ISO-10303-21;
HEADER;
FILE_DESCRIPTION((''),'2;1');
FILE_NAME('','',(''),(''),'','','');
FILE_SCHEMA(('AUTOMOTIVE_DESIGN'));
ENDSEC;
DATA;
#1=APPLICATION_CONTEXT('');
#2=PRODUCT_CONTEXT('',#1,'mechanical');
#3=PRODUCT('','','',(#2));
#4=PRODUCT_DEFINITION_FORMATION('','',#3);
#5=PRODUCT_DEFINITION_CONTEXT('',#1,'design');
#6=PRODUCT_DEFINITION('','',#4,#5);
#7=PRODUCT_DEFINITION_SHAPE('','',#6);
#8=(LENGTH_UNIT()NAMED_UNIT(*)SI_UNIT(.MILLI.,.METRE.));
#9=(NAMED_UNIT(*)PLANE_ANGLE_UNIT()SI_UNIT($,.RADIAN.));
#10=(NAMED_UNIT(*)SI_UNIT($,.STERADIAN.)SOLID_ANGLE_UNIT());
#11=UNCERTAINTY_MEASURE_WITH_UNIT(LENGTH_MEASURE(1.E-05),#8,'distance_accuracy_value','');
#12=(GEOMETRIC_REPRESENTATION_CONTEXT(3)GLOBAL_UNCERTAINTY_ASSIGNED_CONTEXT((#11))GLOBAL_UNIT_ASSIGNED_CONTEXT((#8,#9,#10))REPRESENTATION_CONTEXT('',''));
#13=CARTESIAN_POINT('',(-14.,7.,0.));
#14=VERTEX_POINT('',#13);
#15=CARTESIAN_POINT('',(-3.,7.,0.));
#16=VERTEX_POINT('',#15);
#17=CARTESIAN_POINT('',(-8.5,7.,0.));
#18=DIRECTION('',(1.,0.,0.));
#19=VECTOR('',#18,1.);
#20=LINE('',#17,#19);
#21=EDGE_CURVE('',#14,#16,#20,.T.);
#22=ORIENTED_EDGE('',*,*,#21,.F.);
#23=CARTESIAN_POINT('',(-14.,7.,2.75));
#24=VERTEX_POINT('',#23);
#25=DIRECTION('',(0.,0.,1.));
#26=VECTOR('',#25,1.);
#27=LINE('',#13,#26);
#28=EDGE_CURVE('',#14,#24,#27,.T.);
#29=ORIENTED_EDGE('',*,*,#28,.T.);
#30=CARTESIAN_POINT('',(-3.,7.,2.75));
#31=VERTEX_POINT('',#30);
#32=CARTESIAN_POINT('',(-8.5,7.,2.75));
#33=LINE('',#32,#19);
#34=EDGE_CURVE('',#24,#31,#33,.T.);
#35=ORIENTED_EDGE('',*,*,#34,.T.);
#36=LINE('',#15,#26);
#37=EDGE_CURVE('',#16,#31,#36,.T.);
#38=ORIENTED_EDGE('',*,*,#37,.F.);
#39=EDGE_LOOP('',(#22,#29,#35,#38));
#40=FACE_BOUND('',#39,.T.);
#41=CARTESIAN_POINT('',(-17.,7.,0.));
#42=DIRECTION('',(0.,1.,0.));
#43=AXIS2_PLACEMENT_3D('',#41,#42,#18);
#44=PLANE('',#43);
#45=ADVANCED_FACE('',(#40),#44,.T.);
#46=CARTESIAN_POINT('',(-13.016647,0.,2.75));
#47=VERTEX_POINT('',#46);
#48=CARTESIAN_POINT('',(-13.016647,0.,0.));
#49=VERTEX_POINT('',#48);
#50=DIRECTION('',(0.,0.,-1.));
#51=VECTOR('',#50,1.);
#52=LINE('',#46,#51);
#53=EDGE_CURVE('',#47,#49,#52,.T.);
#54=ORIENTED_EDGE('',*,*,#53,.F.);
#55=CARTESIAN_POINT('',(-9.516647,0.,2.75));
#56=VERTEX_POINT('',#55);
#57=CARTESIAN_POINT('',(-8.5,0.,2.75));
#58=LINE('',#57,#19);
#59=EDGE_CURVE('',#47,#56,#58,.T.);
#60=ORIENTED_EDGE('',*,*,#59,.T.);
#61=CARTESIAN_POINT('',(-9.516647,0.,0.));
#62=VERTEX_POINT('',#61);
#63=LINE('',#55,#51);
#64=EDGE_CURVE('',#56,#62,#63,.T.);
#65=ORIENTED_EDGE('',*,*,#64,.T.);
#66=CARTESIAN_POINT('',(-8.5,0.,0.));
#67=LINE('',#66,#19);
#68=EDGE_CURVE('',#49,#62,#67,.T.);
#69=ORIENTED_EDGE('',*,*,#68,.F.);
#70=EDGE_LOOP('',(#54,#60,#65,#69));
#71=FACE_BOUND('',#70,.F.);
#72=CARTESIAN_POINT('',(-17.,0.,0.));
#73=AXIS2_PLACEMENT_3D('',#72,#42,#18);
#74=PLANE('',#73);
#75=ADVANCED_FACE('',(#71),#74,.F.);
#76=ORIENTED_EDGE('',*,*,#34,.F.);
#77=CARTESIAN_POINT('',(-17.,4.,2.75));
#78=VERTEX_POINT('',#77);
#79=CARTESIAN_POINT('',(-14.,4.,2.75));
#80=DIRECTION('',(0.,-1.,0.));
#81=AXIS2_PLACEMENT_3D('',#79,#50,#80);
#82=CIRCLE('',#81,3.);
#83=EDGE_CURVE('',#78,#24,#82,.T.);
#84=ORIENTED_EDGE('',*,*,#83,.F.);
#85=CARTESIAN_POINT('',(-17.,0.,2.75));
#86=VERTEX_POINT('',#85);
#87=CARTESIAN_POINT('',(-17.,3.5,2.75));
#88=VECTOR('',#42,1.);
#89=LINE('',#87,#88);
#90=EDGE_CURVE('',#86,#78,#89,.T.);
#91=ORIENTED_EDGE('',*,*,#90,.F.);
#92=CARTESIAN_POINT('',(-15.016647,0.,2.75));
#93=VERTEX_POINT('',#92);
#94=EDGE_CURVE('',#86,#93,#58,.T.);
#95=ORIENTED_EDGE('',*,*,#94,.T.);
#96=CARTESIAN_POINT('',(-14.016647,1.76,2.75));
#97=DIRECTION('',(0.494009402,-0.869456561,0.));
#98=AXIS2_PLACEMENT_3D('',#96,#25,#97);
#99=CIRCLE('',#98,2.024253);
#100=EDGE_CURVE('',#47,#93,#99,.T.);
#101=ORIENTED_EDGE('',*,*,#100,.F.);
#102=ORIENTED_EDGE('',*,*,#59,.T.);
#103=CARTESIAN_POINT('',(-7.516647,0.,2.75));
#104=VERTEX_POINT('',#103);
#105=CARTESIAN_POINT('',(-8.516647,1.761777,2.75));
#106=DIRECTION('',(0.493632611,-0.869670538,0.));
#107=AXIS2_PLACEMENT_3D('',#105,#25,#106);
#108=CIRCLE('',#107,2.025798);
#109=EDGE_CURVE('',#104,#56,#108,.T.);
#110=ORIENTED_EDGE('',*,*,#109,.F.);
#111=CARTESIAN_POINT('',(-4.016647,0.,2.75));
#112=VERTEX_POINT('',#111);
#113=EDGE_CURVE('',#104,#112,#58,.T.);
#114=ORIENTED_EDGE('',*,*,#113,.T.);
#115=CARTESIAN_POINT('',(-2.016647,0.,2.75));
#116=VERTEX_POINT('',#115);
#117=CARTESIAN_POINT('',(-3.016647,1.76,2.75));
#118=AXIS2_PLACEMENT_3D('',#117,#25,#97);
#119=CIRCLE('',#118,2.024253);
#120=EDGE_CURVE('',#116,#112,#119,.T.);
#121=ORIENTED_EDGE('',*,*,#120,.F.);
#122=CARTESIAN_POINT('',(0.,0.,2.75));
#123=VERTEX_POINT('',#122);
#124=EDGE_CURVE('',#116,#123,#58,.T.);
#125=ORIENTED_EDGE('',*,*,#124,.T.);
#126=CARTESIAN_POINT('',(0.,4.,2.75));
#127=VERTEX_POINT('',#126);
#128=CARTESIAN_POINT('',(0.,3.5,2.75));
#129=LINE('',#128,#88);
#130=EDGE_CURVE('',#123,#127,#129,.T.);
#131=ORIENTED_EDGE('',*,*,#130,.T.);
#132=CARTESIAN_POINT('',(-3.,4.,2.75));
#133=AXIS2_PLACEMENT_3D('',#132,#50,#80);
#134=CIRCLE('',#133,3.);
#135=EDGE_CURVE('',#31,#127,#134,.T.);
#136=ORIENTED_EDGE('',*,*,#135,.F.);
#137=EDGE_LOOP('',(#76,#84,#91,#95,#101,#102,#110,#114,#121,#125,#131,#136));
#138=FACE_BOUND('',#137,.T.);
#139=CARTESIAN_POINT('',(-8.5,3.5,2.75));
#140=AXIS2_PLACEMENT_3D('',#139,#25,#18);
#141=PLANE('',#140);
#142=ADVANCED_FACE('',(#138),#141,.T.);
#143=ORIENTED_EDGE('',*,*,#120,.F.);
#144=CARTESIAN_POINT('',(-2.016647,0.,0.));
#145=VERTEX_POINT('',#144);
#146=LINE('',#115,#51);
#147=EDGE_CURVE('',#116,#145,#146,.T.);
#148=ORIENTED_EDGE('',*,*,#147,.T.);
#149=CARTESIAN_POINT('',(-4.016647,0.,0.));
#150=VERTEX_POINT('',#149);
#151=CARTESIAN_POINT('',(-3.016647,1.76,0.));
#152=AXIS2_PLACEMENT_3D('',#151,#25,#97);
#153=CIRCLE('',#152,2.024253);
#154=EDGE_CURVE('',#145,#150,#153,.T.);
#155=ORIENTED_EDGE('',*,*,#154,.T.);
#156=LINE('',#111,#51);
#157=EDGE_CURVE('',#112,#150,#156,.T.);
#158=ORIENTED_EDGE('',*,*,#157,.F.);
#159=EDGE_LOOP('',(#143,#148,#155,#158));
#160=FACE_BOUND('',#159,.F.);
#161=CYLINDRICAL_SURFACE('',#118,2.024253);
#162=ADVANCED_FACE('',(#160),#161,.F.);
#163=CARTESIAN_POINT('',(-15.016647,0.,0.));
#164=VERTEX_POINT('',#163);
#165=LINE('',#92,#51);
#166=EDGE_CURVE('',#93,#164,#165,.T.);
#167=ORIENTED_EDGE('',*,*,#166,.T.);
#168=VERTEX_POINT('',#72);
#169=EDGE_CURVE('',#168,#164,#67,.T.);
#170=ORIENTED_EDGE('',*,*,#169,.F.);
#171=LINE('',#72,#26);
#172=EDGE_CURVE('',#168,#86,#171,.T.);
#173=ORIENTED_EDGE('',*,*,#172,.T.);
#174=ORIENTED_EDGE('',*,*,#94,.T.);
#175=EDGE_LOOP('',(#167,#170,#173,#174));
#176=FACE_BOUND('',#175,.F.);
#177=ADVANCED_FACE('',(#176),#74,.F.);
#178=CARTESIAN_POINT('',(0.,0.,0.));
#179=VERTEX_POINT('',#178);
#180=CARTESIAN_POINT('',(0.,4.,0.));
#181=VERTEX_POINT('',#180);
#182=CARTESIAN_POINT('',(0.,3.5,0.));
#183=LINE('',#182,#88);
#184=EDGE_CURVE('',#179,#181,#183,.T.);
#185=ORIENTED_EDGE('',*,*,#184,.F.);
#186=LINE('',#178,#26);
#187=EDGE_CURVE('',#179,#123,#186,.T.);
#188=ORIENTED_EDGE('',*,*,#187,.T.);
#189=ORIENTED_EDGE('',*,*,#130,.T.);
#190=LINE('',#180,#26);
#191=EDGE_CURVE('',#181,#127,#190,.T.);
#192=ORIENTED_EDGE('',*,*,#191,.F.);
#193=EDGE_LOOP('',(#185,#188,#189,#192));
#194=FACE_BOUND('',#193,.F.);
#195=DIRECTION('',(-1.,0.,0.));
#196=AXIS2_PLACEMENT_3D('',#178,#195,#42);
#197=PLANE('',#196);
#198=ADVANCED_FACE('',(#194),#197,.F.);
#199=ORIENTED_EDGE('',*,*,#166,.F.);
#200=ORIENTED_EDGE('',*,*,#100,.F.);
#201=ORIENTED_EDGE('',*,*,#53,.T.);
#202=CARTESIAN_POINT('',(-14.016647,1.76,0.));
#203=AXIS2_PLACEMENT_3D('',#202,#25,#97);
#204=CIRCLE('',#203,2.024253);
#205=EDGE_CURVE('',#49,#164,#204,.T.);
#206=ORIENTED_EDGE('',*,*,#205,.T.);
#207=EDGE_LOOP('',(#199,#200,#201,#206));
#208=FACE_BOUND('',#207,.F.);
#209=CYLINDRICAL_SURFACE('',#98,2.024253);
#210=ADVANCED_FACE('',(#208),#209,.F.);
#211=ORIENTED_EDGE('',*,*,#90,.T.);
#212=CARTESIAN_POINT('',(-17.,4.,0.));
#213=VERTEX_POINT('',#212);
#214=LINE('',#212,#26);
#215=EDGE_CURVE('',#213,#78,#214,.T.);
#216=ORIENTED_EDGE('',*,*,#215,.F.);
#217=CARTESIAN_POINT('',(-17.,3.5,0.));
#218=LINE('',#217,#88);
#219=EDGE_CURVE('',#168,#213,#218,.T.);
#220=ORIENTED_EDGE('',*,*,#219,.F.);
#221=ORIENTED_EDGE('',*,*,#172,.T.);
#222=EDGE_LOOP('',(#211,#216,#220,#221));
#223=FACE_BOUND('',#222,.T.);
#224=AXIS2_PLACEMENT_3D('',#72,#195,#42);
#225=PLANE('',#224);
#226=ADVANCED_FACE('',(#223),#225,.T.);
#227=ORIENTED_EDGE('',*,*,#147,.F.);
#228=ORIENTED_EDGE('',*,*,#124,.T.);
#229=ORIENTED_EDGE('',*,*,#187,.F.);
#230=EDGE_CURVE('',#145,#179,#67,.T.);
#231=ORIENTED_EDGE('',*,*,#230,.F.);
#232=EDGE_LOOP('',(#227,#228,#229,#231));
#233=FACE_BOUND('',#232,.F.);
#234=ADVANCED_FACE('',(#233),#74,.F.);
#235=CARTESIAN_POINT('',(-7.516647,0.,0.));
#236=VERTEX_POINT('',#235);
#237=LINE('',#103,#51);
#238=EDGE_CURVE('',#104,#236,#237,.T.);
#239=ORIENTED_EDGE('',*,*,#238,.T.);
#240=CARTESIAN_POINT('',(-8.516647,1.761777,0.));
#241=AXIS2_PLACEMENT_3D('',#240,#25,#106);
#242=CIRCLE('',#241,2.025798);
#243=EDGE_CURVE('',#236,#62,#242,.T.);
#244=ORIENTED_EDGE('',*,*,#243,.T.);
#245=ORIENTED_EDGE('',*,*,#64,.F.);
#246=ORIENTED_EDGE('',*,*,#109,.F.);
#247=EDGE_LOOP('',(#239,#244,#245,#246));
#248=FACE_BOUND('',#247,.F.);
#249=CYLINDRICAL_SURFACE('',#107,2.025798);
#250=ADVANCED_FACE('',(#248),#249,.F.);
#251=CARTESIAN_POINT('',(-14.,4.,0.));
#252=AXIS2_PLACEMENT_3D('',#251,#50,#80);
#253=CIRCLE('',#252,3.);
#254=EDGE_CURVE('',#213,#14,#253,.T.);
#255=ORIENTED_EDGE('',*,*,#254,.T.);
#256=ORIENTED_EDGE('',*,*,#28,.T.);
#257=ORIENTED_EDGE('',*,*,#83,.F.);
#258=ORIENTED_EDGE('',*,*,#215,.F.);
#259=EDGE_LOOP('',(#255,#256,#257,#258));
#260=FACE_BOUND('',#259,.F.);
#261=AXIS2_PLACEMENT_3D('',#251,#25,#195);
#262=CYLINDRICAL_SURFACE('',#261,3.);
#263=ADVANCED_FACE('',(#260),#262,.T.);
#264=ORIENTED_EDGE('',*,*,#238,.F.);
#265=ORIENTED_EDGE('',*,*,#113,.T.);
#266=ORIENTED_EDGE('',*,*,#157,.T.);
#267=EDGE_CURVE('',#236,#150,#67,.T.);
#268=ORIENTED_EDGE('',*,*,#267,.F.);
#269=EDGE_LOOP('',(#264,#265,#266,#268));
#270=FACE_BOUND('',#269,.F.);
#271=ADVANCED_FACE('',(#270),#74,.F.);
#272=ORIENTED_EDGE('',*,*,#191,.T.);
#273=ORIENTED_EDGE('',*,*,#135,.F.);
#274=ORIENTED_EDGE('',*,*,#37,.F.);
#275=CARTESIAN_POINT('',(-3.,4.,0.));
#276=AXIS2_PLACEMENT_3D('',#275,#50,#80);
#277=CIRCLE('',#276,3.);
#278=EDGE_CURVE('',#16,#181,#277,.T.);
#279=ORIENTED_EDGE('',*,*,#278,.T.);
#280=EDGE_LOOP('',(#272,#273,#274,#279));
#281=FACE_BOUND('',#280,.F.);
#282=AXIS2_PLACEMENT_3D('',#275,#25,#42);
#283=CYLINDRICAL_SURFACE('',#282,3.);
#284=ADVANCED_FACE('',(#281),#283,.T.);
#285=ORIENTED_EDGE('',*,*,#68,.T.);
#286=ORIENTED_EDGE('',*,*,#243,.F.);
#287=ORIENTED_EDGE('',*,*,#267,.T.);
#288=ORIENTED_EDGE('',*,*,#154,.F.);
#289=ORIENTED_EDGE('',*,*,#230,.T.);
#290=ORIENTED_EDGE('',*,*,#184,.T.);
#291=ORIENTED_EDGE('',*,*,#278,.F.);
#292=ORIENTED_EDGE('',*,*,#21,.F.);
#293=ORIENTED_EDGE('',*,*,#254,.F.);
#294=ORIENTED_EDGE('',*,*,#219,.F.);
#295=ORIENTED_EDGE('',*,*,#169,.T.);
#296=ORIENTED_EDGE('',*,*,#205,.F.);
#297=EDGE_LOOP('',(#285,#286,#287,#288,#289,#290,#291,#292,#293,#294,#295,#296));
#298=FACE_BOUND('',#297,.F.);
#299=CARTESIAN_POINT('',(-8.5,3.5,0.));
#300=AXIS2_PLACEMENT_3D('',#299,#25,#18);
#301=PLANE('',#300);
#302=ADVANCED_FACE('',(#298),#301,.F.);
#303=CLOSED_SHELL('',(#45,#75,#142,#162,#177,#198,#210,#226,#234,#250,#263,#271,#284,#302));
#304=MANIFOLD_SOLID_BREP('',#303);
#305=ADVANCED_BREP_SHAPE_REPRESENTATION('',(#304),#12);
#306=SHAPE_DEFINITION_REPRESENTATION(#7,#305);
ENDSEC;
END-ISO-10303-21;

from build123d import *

# Parameters (mm, degrees)
F0_W     = 17
F0_H     = 7
F1_DEPTH = 2.75
F3_DEPTH = 25
F4_R     = 3


with BuildPart() as f1:
    # F0 (on Top) → F1 (new body)
    with BuildSketch(Plane.XY):
        with Locations((-8.5, 3.5)):
            Rectangle(F0_W, F0_H)
    extrude(amount=F1_DEPTH)

    # F2 (on face) → F3 (cut)
    with BuildSketch(Plane.XY.offset(2.75)):
        with BuildLine():
            ThreePointArc((-7.516647, 0), (-8.516647, 3.787575), (-9.516647, 0))
            Line((-9.516647, 0), (-7.516647, 0))
        make_face()
        with BuildLine():
            ThreePointArc((-2.016647, 0), (-3.016647, 3.784253), (-4.016647, 0))
            Line((-4.016647, 0), (-2.016647, 0))
        make_face()
        with BuildLine():
            Line((-15.016647, 0), (-13.016647, 0))
            ThreePointArc((-13.016647, 0), (-14.016647, 3.784253), (-15.016647, 0))
        make_face()
    extrude(amount=-F3_DEPTH, mode=Mode.SUBTRACT)

    # F4
    f4_edges = [f1.edges().sort_by_distance(p)[0] for p in [
        (-17, 7, 1.375),
        (0, 7, 1.375),
    ]]
    fillet(f4_edges, radius=F4_R)


solid = f1.part
